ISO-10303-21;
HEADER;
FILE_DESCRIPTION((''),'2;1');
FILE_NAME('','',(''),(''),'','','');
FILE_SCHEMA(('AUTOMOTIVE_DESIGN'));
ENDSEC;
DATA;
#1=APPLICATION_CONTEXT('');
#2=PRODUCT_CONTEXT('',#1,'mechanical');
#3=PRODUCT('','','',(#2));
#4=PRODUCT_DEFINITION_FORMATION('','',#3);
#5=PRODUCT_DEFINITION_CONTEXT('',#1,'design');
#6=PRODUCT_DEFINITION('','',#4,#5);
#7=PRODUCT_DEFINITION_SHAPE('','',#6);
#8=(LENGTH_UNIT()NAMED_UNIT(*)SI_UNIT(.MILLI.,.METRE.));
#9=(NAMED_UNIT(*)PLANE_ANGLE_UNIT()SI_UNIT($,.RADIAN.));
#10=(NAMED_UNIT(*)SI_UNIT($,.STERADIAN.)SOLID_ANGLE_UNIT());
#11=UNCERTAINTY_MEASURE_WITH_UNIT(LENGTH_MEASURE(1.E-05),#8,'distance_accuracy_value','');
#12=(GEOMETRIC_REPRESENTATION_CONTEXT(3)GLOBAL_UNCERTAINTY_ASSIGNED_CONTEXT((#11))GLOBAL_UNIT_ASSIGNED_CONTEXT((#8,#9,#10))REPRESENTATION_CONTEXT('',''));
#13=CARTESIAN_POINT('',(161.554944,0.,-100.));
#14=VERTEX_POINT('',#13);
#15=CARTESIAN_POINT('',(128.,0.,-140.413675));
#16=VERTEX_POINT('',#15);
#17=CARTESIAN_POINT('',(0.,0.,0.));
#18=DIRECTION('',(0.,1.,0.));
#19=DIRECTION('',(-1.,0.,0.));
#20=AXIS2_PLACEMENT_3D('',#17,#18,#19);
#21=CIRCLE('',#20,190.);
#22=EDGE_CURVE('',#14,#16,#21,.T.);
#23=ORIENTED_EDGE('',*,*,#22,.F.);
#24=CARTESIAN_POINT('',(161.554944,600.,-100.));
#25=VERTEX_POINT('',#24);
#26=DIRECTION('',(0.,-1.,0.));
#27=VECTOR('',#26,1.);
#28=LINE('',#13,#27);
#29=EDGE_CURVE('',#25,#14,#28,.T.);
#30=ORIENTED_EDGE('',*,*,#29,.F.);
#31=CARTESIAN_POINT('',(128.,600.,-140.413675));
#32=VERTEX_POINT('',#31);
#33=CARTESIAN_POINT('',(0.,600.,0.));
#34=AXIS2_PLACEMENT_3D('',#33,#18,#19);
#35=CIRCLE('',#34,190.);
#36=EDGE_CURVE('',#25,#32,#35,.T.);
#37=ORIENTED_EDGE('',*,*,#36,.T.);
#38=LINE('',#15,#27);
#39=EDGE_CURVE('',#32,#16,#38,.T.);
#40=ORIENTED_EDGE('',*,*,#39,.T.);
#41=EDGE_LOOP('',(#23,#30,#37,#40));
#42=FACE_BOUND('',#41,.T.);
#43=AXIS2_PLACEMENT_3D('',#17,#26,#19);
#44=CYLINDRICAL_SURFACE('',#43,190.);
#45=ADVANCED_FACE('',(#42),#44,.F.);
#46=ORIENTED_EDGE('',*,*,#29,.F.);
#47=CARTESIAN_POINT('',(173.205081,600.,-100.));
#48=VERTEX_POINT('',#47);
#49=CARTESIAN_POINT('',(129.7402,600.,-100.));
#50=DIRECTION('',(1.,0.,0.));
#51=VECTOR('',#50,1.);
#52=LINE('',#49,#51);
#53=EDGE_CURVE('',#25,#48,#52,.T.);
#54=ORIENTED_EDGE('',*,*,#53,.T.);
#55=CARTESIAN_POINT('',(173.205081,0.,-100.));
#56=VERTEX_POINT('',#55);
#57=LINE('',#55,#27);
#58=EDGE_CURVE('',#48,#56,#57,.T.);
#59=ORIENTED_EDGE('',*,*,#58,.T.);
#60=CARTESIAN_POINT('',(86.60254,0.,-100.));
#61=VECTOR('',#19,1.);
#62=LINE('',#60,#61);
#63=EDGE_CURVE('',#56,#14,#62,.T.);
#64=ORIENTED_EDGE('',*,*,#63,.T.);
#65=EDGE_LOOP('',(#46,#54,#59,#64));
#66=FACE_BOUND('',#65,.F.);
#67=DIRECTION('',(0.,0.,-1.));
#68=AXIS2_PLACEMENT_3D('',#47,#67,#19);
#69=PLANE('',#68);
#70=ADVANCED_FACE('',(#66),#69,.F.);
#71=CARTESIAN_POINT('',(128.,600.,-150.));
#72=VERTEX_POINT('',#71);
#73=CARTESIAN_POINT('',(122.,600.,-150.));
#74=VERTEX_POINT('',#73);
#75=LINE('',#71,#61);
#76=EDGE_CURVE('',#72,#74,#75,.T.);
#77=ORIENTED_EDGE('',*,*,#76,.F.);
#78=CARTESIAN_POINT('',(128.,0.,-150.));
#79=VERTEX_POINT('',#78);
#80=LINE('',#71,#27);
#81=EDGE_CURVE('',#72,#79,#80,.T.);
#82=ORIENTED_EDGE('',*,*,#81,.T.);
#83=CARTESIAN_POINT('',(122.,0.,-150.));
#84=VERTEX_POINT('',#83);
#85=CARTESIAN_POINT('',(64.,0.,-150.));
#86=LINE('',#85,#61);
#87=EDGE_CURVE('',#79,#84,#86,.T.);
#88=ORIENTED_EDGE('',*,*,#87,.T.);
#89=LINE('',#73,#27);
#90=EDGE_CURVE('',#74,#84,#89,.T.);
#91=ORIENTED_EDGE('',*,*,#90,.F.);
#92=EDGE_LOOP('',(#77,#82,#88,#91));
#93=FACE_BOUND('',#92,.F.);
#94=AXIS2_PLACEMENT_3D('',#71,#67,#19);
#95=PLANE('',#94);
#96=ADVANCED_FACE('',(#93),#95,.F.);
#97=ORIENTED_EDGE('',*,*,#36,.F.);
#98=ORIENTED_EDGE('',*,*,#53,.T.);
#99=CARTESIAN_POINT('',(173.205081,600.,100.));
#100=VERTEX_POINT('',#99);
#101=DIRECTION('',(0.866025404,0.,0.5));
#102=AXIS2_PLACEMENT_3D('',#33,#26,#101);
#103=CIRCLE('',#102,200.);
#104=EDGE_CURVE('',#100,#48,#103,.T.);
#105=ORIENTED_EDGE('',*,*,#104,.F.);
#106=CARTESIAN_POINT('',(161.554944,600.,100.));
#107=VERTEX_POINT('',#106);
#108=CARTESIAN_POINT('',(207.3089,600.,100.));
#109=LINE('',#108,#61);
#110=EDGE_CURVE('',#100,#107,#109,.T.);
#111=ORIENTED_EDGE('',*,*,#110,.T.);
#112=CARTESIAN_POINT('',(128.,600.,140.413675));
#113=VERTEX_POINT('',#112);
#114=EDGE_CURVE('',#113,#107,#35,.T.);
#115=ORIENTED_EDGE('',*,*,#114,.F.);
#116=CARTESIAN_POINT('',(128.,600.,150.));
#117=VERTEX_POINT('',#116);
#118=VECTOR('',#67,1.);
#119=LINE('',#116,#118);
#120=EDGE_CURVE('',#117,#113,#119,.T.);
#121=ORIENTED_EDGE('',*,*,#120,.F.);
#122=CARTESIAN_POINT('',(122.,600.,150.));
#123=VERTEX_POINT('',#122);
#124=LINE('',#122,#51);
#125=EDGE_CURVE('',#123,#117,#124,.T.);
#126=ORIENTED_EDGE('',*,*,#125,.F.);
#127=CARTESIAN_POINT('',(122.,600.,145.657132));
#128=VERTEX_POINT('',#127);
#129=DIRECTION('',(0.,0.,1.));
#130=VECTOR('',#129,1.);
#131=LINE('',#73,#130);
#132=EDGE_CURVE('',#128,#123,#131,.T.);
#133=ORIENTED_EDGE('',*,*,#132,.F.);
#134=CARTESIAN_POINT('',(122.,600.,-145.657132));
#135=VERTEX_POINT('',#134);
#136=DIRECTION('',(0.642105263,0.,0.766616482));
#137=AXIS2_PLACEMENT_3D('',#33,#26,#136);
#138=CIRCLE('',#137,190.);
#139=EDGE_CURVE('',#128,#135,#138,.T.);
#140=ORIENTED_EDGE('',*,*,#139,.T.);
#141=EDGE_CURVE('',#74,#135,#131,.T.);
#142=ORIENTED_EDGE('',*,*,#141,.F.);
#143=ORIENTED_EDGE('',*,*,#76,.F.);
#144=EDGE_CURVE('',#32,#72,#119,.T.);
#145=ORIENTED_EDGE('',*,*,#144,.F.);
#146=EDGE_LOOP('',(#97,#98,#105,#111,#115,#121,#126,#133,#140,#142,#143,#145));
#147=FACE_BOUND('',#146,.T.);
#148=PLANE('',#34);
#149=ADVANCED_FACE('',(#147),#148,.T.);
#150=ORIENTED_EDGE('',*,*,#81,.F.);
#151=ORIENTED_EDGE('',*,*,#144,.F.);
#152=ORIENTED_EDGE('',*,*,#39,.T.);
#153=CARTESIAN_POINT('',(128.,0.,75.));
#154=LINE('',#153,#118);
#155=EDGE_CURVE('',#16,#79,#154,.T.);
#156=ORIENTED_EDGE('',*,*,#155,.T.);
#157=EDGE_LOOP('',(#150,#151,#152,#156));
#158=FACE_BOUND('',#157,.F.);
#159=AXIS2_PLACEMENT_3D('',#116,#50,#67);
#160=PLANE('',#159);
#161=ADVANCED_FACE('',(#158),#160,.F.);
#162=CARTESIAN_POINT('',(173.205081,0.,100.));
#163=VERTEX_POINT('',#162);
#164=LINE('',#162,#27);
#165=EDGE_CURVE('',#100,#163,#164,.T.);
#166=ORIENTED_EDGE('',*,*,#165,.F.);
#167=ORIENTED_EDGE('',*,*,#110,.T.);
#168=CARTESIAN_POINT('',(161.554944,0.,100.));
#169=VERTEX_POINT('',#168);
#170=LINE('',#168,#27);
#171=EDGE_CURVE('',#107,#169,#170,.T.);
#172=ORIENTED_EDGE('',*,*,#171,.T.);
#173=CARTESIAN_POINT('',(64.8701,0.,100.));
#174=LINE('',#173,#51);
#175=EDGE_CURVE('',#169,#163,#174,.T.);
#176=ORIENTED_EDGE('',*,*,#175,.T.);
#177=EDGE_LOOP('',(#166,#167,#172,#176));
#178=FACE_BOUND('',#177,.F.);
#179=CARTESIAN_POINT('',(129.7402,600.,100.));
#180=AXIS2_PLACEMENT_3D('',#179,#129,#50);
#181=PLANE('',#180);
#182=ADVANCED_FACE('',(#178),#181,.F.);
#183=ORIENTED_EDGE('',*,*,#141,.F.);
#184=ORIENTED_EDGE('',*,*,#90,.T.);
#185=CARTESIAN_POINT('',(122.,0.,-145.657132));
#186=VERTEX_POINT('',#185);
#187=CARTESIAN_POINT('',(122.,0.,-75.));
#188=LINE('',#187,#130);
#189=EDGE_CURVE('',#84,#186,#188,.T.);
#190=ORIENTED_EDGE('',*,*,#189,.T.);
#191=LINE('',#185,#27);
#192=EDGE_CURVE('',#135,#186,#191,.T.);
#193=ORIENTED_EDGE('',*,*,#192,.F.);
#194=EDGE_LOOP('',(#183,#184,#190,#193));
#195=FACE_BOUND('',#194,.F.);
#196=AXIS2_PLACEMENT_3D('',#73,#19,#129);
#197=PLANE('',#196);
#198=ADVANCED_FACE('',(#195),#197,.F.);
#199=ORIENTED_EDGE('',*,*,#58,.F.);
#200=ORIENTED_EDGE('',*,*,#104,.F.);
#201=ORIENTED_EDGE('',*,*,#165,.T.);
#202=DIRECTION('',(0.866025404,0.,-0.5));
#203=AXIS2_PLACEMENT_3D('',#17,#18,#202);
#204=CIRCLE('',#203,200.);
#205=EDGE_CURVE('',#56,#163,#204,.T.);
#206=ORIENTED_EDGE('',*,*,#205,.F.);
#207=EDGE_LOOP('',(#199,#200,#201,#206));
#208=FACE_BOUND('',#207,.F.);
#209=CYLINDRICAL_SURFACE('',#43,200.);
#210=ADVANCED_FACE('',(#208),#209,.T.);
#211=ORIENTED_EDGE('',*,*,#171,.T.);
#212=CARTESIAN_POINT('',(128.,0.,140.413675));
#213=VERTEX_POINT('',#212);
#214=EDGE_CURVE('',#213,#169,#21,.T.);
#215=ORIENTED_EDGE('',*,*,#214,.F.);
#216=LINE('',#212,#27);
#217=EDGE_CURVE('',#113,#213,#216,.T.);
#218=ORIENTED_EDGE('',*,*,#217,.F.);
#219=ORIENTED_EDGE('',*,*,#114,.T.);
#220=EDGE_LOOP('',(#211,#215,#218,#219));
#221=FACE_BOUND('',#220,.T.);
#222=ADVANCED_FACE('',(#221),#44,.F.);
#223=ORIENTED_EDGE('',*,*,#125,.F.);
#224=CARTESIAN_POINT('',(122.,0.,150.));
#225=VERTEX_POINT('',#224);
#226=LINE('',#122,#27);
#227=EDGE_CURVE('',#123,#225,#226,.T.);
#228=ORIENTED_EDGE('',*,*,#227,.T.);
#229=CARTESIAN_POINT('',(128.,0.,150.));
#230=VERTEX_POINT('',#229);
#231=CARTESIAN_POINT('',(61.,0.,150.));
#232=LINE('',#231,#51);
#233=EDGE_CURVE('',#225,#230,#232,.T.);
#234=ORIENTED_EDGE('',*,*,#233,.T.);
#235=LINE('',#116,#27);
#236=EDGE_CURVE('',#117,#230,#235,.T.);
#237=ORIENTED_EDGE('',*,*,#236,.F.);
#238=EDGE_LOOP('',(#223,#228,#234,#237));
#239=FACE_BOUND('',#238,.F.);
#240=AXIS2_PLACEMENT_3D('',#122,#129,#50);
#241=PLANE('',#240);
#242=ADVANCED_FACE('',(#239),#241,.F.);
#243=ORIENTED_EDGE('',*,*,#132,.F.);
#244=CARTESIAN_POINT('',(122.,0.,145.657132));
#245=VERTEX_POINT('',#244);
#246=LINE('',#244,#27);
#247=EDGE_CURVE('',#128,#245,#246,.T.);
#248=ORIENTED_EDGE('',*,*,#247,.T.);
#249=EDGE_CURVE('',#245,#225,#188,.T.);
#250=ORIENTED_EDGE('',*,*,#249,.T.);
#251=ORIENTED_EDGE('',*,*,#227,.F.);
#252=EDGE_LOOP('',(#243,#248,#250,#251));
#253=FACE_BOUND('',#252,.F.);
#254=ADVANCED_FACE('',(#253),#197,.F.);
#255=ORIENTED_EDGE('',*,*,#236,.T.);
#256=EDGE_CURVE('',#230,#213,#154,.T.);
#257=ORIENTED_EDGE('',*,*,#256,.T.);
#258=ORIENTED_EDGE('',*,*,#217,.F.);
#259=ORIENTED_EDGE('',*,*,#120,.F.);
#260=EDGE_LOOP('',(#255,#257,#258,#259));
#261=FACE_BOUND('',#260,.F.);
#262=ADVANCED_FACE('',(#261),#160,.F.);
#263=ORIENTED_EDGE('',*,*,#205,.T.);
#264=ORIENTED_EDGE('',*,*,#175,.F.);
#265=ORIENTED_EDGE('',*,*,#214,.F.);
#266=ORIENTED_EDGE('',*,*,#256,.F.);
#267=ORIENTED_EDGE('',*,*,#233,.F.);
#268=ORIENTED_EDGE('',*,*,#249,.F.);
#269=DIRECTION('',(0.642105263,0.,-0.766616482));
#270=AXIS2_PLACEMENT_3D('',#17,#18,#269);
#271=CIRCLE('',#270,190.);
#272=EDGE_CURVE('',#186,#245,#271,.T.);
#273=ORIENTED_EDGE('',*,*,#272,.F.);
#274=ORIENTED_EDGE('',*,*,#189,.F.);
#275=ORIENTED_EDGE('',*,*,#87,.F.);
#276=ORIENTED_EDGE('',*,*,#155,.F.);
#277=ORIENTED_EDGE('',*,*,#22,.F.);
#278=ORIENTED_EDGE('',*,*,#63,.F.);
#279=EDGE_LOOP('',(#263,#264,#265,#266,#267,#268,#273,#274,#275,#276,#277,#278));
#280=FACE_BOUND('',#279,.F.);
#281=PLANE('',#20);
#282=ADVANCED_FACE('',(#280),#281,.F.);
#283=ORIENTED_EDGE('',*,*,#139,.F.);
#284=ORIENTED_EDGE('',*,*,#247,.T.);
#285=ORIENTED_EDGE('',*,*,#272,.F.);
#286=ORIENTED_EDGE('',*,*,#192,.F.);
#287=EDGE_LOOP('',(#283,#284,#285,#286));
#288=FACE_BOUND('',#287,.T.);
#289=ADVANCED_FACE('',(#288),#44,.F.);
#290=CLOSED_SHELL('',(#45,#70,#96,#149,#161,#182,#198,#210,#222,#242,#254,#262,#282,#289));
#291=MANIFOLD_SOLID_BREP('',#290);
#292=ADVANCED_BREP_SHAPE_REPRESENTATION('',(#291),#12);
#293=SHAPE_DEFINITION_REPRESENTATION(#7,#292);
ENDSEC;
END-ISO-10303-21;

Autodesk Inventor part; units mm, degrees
ref_plane "YZ Plane" through (0, 0, 0) normal (1, 0, 0) x (0, 1, 0)
ref_plane "XZ Plane" through (0, 0, 0) normal (0, 1, 0) x (-1, 0, 0)
ref_plane "XY Plane" through (0, 0, 0) normal (0, 0, 1) x (1, 0, 0)
sketch "スケッチ1" plane through (0, 0, 0) normal (0, 1, 0) x (-1, 0, 0)
  circle A0 centre (0, 0) radius 190
  circle A1 centre (0, 0) radius 200
  dimension "d0" = 380
  dimension "d1" = 400
extrude "押し出し1" add sketch "スケッチ1" along normal blind 600
sketch "スケッチ2" plane through (0, 600, 0) normal (0, 1, 0) x (1, 0, 0)
  line L0 (129.7402, -100) -> (207.3089, -100)
  line L1 (207.3089, -100) -> (207.3089, 100)
  line L2 (207.3089, 100) -> (129.7402, 100)
  line L3 (129.7402, 100) -> (129.7402, -100)
  line L4 (129.7402, -100) -> (207.3089, 100) construction
  line L5 (207.3089, -100) -> (129.7402, 100) construction
  circle A0 centre (0, 0) radius 200 projected
  line L6 (122, -150) -> (128, -150)
  line L7 (128, -150) -> (128, 150)
  line L8 (128, 150) -> (122, 150)
  line L9 (122, 150) -> (122, -150)
  line L10 (122, -150) -> (128, 150) construction
  line L11 (128, -150) -> (122, 150) construction
  point P0 (168.5246, 0)
  point P1 (125, 0)
  dimension "d4" = 200
  dimension "d5" = 125
  dimension "d6" = 6
  dimension "d7" = 300
extrude "押し出し2" cut sketch "スケッチ2" against normal blind 706.25 contours L3 L2 A0 L0 | A0 L2 L1 L0 | L9 L8 L7 L6 picked at (153.1601, 0)
properties part number "nasel2"
